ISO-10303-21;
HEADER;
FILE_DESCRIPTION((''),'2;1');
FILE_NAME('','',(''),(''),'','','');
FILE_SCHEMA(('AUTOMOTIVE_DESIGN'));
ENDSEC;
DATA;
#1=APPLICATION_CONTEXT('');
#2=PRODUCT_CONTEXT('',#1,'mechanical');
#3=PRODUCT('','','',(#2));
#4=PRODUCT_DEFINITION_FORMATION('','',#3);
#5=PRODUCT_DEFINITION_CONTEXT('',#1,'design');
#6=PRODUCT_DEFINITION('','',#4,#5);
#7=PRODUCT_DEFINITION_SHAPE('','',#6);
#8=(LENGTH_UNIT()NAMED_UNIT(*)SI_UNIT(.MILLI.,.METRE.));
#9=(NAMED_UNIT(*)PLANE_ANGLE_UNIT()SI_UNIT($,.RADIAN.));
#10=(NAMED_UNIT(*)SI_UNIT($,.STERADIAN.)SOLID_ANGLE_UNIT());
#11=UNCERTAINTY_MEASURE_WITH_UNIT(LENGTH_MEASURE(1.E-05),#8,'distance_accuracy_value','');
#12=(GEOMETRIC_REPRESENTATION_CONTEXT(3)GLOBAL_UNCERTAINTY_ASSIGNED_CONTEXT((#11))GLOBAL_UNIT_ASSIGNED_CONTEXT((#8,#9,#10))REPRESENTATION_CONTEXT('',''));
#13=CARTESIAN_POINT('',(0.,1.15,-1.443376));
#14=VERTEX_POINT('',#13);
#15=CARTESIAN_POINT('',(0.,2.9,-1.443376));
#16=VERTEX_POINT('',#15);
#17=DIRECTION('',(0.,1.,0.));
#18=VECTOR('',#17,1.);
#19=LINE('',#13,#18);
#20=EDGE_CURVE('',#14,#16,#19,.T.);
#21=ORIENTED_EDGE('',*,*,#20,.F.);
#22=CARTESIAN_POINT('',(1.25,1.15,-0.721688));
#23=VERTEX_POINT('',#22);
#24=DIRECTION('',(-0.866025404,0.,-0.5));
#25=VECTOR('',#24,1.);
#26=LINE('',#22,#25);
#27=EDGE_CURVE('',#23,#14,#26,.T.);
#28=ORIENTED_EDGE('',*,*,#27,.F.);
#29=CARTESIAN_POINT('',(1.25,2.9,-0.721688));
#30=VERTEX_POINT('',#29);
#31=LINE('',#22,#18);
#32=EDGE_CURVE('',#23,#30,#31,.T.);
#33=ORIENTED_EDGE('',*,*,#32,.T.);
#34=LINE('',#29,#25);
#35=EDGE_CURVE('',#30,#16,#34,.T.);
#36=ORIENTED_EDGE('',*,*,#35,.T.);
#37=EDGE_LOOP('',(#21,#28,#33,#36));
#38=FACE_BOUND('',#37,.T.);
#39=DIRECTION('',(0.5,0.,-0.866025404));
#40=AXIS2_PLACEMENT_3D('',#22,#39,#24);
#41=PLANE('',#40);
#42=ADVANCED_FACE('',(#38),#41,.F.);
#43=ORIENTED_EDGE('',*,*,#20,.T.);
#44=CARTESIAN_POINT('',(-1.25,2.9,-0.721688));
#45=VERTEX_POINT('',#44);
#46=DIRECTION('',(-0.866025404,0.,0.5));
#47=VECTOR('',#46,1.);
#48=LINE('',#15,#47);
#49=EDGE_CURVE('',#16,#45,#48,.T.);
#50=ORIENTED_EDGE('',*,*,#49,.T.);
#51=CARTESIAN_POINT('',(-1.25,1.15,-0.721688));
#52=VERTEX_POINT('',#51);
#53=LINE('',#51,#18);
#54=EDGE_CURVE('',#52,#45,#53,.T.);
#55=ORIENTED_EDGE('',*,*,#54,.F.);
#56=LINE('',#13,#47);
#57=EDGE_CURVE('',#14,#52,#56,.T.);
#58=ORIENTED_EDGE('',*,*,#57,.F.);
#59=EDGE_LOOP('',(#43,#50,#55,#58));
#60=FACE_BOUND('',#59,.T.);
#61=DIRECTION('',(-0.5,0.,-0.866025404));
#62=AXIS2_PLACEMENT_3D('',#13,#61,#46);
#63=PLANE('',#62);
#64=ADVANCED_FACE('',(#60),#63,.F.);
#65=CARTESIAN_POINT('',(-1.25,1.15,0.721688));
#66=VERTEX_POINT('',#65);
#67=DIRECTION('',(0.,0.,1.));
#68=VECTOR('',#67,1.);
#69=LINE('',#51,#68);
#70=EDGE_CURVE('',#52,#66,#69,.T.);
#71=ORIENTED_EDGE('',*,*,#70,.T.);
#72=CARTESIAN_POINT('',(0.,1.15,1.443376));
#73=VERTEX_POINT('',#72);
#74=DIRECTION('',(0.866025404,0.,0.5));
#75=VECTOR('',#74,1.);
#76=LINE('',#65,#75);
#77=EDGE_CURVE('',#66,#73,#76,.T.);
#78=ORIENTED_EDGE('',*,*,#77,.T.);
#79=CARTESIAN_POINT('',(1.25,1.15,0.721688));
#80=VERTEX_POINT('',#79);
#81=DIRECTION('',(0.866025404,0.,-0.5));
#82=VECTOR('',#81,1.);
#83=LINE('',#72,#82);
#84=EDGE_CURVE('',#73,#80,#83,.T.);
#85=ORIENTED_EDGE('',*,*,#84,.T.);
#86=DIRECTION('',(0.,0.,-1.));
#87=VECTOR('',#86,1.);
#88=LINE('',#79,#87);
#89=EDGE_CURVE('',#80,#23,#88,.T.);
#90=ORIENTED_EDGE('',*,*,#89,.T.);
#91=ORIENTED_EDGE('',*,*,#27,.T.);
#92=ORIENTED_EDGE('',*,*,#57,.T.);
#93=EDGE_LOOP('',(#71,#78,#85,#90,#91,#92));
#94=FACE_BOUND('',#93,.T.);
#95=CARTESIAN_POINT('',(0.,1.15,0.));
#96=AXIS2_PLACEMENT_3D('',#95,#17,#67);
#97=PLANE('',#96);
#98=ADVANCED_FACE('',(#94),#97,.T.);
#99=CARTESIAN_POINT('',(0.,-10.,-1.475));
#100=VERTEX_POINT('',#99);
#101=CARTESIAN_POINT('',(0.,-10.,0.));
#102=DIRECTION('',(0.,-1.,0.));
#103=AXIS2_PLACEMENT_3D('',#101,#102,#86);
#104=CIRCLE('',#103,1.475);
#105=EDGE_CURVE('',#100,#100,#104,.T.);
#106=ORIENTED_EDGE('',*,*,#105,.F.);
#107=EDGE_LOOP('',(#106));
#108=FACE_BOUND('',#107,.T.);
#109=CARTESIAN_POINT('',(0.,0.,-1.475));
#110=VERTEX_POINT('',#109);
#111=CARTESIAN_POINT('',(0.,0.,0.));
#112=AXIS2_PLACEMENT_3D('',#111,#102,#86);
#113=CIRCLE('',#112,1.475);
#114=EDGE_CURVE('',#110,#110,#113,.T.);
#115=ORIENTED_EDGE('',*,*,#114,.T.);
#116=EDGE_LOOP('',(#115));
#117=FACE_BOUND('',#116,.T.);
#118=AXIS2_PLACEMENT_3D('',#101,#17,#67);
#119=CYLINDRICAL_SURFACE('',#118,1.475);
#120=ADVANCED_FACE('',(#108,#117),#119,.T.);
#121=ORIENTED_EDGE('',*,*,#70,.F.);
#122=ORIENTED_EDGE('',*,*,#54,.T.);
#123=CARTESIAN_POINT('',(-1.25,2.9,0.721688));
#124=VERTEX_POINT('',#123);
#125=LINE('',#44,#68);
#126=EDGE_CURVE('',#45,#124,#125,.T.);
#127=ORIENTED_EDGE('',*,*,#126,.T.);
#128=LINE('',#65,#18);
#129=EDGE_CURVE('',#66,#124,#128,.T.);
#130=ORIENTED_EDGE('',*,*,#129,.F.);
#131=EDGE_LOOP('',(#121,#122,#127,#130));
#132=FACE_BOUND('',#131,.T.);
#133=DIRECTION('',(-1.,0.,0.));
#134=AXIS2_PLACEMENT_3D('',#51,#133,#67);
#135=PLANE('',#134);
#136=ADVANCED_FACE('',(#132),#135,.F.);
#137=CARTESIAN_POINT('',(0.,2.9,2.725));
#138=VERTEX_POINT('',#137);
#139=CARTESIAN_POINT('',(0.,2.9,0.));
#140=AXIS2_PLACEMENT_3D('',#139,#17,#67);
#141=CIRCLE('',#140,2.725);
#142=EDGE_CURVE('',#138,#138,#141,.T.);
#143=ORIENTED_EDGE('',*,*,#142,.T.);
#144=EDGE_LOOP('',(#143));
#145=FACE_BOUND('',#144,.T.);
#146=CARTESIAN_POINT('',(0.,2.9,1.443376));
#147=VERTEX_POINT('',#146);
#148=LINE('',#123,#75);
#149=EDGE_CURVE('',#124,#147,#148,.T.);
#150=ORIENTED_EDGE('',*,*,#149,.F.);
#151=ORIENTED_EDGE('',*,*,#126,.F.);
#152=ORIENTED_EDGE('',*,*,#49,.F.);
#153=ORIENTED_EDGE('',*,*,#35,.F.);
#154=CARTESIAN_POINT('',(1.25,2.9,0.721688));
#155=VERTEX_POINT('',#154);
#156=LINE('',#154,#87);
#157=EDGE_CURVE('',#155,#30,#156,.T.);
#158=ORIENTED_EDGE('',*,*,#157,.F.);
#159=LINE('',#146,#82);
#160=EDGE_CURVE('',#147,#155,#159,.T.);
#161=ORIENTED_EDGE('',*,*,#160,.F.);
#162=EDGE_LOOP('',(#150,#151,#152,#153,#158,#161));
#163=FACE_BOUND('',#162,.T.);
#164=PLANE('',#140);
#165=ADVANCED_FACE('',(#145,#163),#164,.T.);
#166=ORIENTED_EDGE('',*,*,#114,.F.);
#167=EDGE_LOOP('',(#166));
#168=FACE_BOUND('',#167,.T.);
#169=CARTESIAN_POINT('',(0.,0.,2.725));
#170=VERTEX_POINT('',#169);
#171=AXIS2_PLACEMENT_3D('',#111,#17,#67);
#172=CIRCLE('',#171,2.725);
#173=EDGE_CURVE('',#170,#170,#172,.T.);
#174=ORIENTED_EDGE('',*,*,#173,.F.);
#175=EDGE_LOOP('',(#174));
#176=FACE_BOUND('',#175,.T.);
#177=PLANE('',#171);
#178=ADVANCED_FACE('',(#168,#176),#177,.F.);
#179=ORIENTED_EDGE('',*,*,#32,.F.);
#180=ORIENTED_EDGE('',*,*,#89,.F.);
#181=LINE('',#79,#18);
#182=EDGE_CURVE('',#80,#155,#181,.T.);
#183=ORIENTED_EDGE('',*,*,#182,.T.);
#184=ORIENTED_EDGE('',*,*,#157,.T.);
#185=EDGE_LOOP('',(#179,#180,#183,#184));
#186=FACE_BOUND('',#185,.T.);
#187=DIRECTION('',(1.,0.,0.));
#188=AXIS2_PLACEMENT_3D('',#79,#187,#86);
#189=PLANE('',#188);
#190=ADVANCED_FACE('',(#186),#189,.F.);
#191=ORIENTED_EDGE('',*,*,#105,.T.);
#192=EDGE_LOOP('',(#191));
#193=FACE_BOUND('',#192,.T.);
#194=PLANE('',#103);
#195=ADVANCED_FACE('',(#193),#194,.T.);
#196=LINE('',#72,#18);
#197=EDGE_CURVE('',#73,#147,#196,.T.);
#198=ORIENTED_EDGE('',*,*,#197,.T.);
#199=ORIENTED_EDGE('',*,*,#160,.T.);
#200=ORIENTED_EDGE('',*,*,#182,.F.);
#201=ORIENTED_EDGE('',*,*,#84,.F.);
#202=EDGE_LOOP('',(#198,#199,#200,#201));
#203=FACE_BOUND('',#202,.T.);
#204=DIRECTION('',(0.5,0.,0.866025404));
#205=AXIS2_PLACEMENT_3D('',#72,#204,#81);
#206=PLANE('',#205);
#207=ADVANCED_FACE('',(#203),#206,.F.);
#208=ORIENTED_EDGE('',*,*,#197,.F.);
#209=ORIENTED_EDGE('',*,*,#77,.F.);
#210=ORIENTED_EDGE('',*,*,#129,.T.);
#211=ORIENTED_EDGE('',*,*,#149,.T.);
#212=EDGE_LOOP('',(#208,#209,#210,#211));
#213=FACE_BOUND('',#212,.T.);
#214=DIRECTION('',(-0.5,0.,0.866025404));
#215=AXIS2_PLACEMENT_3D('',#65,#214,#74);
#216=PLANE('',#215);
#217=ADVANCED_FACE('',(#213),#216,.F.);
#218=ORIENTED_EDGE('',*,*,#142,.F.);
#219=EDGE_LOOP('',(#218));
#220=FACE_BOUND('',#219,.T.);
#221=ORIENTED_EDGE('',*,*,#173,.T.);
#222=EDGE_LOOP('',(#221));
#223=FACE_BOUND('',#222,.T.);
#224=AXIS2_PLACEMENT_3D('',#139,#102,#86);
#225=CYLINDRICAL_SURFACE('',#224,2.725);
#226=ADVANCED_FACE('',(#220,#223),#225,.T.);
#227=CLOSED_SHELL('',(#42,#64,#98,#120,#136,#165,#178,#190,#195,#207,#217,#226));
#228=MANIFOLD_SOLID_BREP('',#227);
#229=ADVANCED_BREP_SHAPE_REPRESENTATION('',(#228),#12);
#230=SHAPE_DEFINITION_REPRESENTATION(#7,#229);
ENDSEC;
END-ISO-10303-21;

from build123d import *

# Parameters (mm, degrees)
SKETCH1_R           = 2.725
BOSS_EXTRUDE1_DEPTH = 2.9
SKETCH2_R           = 1.475
BOSS_EXTRUDE2_DEPTH = 10
CUT_EXTRUDE1_DEPTH  = 1.75


with BuildPart() as part:
    # Sketch1 → Boss-Extrude1 (new body)
    with BuildSketch(Plane(origin=(0, 0, 0), x_dir=(1, 0, 0), z_dir=(0, 1, 0))):
        Circle(SKETCH1_R)
    extrude(amount=BOSS_EXTRUDE1_DEPTH)

    # Sketch2 → Boss-Extrude2 (add)
    with BuildSketch(Plane.XZ):
        Circle(SKETCH2_R)
    extrude(amount=BOSS_EXTRUDE2_DEPTH)

    # Sketch3 → Cut-Extrude1 (cut)
    with BuildSketch(Plane(origin=(0, 2.9, 0), x_dir=(1, 0, 0), z_dir=(0, 1, 0))):
        Polygon((0, 1.443375673), (-1.25, 0.721687836), (-1.25, -0.721687836), (0, -1.443375673), (1.25, -0.721687836), (1.25, 0.721687836), align=None)
    extrude(amount=-CUT_EXTRUDE1_DEPTH, mode=Mode.SUBTRACT)


solid = part.part
